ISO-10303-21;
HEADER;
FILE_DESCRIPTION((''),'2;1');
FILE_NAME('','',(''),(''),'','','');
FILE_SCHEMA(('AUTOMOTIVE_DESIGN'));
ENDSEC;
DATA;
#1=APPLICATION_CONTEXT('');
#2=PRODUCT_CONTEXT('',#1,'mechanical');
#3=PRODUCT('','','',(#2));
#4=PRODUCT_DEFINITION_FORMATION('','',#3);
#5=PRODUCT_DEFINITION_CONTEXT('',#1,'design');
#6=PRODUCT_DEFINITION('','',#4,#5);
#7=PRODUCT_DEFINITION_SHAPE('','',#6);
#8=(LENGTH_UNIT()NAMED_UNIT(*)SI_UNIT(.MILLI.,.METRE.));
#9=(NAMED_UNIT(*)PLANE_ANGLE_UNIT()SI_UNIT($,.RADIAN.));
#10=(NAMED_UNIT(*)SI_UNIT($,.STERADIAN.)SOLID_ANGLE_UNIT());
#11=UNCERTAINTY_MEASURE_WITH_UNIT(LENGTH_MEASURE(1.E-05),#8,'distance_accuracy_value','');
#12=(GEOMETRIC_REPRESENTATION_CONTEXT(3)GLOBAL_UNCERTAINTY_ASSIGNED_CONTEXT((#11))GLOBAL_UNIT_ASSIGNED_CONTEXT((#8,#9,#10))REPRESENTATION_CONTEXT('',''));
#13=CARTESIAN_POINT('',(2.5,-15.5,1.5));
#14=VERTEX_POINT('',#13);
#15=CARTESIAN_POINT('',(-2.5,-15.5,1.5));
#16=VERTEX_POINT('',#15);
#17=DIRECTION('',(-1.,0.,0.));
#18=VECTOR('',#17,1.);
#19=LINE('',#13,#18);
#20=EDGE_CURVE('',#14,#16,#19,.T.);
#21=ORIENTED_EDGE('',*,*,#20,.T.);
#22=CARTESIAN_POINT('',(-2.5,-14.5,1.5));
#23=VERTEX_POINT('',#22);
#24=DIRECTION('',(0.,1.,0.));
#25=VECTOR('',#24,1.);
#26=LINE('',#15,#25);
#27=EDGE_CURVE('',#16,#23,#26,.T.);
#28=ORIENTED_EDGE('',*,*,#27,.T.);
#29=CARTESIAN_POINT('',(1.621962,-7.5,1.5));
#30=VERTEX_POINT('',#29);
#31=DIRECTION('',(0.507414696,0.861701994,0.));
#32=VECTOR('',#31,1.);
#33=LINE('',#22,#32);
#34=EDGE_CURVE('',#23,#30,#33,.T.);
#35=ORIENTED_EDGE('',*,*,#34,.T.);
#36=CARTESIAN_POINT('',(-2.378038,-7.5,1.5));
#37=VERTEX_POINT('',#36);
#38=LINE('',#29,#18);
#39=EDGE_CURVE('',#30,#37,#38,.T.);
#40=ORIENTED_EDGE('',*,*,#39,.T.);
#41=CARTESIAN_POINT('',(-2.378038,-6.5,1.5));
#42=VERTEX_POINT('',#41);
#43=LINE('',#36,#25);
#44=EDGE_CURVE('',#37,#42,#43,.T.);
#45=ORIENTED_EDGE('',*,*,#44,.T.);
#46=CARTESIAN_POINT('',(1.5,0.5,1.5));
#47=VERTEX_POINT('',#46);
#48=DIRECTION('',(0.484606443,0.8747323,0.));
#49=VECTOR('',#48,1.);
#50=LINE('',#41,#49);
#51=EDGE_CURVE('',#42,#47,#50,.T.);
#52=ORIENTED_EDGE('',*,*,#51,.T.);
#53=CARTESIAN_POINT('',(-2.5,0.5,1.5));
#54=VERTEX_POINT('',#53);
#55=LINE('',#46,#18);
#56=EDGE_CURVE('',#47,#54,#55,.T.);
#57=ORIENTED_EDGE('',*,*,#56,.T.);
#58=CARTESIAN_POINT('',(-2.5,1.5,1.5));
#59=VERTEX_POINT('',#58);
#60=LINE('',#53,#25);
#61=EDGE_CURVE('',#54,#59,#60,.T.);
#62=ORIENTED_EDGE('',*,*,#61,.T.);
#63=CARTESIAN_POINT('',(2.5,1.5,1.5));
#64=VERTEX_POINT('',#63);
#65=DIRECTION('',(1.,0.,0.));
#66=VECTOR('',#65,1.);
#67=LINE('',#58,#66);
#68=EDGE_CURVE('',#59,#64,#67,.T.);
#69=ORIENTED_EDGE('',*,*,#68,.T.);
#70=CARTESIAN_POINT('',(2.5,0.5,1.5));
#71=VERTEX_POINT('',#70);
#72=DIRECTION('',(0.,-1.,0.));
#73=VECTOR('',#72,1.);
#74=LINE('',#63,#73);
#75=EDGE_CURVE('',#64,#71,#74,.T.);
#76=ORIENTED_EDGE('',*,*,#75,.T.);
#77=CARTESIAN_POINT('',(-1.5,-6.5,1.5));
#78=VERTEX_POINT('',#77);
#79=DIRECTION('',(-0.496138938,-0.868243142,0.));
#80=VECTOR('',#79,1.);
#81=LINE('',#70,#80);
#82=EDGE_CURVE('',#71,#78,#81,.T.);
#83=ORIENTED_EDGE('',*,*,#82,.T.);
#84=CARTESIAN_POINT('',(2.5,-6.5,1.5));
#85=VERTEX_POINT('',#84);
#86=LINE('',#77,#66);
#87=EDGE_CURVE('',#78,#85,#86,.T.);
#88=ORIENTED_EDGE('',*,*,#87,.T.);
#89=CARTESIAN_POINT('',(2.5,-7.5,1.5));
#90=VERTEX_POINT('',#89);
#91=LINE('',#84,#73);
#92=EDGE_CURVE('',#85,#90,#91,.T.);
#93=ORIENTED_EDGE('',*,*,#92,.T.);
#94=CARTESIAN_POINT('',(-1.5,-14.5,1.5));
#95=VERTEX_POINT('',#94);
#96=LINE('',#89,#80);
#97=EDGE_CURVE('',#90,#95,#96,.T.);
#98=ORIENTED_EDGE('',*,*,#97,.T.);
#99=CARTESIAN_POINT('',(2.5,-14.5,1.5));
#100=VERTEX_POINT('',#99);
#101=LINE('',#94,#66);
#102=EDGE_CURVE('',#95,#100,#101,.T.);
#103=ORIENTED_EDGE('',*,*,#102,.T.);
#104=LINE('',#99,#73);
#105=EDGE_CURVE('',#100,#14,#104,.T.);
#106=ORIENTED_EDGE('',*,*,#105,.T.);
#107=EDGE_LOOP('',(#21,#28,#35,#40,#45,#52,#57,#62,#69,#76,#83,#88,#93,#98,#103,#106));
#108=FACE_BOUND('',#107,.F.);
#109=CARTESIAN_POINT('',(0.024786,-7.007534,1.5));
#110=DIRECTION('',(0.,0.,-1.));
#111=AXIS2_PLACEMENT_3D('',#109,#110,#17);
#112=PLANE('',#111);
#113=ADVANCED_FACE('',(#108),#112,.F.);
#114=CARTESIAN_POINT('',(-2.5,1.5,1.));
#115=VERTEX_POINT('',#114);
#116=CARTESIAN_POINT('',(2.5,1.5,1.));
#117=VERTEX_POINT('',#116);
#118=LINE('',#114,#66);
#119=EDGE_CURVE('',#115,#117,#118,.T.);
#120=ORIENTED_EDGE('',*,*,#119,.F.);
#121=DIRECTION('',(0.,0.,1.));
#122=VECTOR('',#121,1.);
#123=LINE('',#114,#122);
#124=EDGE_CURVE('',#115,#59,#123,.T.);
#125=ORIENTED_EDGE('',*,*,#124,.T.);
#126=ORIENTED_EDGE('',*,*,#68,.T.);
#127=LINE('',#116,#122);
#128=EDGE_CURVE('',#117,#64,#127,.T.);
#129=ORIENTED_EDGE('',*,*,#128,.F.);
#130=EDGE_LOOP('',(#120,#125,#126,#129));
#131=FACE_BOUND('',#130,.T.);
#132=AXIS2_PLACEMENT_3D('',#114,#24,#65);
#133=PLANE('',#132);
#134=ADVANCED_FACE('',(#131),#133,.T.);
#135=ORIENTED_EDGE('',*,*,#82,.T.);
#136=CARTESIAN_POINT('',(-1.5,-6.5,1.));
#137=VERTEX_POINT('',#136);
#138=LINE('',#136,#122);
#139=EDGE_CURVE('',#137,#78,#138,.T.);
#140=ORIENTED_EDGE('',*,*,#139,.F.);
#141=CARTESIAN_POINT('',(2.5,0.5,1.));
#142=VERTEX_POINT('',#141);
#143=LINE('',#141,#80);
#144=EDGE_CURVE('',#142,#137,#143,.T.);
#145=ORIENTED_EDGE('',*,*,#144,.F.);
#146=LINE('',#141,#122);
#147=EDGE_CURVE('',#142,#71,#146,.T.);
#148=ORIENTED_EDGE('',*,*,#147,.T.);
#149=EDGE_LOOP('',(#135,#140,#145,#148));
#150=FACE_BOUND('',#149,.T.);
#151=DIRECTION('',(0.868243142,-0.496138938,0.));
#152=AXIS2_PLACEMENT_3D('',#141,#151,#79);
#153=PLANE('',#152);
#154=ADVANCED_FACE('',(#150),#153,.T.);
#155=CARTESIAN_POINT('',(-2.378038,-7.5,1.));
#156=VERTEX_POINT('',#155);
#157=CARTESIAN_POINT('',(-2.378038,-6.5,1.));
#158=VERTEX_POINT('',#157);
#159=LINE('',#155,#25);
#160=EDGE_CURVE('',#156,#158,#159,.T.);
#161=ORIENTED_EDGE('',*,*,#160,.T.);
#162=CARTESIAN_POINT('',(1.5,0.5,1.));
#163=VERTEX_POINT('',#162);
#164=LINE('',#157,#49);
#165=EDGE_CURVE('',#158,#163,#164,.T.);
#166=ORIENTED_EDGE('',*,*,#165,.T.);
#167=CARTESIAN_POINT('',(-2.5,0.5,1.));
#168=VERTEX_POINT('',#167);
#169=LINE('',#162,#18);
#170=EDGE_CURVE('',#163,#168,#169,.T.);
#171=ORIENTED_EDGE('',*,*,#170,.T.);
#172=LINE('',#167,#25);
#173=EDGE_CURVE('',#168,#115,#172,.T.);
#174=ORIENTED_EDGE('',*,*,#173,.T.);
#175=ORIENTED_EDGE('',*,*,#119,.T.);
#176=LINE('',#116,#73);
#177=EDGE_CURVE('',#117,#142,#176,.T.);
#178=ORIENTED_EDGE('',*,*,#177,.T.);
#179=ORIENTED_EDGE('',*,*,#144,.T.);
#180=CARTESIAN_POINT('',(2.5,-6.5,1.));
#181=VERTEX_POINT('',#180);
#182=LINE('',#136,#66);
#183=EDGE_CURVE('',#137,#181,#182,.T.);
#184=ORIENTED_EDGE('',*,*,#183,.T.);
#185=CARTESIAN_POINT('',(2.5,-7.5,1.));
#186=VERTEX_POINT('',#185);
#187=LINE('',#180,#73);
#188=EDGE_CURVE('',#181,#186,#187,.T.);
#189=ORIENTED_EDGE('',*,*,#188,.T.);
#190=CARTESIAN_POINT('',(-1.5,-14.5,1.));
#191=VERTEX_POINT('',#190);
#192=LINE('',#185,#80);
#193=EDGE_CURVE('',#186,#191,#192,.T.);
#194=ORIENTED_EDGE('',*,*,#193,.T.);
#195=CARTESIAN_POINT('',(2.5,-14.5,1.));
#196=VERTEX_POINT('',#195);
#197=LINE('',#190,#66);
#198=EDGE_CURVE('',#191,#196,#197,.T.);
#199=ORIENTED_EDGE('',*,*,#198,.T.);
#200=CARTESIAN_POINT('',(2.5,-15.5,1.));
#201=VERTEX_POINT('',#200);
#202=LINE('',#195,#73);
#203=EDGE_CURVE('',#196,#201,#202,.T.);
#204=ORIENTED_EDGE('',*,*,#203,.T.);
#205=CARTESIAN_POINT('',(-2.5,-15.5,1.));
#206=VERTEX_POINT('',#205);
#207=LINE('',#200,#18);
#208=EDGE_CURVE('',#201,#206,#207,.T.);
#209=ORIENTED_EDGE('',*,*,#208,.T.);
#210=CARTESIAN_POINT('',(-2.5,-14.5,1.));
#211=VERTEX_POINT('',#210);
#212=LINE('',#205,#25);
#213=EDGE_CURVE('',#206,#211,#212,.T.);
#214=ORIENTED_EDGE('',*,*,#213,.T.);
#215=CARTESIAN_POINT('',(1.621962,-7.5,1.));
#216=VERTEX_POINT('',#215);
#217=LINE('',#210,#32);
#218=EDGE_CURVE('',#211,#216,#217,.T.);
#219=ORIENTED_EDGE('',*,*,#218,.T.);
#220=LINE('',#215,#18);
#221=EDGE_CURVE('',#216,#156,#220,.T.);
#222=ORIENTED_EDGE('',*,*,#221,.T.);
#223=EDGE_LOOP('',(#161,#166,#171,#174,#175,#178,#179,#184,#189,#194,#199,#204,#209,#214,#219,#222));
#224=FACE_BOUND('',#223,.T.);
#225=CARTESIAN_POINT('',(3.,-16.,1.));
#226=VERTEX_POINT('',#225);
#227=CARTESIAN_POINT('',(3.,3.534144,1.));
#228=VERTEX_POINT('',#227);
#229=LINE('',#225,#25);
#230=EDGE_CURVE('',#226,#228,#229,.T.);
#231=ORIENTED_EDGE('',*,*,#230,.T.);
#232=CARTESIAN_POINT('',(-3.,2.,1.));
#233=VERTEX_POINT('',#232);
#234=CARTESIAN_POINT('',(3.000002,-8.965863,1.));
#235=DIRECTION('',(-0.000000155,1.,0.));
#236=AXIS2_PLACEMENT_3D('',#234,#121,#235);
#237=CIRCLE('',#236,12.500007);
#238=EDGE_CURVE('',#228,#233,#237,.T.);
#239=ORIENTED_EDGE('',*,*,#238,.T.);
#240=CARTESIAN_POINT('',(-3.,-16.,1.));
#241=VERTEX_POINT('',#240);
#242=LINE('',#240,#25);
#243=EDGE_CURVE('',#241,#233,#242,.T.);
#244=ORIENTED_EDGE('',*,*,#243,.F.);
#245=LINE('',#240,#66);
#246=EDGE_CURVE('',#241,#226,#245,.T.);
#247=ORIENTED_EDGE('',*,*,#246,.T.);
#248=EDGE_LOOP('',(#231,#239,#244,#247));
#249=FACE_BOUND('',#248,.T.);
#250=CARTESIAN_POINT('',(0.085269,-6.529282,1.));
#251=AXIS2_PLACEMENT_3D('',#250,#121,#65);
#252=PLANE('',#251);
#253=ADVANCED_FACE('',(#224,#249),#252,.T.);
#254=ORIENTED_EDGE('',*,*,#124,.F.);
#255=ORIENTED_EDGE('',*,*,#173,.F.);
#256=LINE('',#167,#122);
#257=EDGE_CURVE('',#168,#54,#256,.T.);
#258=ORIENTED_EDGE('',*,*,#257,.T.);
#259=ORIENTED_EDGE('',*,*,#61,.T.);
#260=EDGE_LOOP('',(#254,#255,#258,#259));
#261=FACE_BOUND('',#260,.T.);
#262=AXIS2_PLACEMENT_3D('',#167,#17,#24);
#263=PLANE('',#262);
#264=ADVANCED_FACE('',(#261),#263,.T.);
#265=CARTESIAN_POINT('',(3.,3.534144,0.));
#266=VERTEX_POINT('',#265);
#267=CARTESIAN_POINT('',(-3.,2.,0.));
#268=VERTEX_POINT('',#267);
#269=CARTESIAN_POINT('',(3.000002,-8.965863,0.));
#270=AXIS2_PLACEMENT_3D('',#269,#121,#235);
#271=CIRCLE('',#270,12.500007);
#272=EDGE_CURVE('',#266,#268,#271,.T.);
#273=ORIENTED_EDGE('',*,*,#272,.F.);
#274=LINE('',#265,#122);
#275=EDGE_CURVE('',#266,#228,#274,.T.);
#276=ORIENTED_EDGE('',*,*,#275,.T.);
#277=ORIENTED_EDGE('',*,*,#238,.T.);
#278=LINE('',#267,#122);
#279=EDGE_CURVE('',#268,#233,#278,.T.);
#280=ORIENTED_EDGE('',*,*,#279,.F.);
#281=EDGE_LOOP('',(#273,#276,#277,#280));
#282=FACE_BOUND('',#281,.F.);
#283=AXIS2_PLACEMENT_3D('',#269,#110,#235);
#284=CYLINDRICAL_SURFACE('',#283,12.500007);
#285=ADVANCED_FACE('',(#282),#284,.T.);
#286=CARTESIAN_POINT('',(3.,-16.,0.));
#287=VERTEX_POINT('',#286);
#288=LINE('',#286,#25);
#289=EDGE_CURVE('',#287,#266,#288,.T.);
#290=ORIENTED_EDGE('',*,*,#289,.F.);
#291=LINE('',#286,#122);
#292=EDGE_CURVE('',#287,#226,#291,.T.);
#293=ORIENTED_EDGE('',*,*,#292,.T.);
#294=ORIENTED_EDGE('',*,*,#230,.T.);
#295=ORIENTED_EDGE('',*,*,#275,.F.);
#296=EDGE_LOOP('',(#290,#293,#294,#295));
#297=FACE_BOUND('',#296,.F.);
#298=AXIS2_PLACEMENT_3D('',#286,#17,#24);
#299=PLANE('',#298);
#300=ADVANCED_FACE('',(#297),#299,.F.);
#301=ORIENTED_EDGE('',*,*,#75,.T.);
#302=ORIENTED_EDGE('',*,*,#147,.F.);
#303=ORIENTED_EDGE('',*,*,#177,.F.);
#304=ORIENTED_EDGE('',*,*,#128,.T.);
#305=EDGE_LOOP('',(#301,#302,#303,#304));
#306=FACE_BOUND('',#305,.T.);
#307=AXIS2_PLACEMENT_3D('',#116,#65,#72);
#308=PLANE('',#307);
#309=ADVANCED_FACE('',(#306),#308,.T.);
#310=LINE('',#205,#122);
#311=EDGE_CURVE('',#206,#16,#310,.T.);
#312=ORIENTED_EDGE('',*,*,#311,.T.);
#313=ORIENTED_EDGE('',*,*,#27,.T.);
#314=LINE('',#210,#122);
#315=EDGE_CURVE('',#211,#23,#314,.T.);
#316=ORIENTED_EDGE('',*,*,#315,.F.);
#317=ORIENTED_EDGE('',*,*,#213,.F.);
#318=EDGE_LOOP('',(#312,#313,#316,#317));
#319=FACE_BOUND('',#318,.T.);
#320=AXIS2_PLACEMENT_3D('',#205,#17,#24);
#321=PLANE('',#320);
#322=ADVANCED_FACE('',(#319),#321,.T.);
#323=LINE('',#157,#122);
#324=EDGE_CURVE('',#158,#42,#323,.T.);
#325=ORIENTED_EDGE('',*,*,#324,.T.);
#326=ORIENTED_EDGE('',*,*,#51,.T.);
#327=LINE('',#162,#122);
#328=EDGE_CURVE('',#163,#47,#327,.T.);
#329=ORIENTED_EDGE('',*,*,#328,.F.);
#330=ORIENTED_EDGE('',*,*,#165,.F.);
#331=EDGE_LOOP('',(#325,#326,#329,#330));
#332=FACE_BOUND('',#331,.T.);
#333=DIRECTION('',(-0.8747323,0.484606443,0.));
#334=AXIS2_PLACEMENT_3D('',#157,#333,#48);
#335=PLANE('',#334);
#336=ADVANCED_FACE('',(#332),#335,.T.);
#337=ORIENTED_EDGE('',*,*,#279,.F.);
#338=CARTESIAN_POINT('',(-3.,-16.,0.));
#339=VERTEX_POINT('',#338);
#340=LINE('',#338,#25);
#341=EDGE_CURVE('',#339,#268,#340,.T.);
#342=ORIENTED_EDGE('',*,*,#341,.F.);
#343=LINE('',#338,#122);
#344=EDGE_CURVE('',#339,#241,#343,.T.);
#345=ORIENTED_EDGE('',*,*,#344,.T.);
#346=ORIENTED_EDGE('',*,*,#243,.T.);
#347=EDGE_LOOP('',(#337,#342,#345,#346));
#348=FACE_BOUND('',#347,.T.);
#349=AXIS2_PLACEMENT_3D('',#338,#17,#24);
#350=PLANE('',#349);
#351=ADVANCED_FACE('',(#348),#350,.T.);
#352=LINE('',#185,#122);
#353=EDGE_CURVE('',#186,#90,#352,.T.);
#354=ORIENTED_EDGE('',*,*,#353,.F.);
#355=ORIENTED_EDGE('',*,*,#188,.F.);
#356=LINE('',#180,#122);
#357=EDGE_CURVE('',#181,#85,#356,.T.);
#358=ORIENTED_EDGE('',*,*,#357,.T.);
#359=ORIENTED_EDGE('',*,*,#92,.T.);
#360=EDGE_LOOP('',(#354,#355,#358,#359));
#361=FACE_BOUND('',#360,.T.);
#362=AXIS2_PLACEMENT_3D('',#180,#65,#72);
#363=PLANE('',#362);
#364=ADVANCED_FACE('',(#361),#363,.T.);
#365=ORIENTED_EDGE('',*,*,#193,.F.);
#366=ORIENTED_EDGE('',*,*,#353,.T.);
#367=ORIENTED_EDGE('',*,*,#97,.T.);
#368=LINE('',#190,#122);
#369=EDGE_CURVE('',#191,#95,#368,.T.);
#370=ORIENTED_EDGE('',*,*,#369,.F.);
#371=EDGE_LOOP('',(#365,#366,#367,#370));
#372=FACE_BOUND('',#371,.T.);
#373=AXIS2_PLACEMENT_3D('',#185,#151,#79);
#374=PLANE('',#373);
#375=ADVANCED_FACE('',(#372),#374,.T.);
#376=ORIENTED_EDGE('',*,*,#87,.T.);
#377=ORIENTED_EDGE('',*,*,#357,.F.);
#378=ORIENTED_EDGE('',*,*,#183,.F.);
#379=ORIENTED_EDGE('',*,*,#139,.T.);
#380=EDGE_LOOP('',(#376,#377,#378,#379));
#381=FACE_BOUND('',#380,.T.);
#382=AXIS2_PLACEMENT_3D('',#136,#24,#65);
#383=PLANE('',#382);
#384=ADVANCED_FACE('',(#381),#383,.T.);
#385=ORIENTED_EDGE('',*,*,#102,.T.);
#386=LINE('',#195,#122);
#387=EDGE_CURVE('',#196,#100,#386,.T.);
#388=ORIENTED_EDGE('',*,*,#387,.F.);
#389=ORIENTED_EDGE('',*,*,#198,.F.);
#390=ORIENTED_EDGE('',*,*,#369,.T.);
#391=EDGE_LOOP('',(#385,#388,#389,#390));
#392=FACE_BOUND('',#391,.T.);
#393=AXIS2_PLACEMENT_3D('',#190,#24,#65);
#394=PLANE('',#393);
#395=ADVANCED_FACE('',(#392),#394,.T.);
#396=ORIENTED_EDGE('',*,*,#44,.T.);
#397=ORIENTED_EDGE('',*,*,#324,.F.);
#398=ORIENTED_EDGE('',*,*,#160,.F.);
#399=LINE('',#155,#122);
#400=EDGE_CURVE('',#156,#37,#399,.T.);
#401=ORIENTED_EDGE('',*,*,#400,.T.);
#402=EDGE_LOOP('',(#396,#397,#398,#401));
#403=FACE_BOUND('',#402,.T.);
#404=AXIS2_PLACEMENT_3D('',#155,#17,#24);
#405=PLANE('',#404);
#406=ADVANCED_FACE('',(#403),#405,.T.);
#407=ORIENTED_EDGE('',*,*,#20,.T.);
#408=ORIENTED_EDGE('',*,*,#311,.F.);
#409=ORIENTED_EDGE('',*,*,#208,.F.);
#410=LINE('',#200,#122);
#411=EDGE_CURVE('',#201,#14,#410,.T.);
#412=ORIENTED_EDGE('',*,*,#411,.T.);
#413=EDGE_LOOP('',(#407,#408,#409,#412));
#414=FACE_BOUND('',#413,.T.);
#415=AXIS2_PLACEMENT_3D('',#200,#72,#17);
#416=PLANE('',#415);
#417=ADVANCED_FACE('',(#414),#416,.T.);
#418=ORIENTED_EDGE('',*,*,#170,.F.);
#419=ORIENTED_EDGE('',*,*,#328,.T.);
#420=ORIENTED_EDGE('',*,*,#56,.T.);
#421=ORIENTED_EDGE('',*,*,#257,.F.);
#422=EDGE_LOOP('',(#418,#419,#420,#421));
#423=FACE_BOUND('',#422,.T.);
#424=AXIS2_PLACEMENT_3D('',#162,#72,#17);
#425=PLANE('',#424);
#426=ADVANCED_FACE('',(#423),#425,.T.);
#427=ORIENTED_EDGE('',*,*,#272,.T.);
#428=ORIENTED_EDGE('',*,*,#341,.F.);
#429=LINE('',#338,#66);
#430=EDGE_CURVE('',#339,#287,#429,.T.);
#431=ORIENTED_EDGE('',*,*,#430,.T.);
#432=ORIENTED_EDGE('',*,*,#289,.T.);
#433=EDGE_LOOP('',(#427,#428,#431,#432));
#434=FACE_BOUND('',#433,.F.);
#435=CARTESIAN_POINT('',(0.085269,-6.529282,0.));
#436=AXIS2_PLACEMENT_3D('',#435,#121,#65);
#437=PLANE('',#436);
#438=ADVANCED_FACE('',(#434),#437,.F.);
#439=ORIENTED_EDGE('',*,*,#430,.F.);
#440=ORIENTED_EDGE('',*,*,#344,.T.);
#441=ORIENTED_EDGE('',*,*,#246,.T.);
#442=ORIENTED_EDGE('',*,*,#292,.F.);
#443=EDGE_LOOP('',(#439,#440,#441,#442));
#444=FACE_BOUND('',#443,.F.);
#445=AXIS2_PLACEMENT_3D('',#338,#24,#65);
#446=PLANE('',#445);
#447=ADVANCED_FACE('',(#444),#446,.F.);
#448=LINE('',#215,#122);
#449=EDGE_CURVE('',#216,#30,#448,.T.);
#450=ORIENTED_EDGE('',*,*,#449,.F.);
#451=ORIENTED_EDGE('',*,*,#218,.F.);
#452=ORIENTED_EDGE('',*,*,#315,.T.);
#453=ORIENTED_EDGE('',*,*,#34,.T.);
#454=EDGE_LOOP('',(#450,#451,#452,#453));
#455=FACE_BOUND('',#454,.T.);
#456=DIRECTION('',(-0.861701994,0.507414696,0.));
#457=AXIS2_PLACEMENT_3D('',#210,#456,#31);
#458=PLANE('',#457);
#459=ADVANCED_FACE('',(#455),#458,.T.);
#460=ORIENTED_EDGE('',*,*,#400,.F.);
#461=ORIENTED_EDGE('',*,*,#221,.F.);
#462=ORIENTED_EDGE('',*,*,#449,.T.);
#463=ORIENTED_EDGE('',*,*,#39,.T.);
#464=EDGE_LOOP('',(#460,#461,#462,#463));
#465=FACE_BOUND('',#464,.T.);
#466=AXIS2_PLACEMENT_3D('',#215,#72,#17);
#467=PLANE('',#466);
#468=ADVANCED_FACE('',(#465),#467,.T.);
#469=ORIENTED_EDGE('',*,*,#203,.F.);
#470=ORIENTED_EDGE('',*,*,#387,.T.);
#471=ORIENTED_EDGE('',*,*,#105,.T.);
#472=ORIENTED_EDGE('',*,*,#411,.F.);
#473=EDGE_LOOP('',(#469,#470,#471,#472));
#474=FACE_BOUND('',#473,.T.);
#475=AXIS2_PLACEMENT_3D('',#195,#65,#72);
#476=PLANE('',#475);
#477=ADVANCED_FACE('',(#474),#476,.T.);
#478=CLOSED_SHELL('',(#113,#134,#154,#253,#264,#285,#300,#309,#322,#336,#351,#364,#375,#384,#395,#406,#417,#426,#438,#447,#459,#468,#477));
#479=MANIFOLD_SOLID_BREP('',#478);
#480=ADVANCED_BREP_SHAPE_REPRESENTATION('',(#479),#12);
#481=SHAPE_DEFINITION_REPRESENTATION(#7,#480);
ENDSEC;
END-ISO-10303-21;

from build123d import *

# Parameters (mm, degrees)
PAD_DEPTH    = 1
PAD001_DEPTH = 0.5


with BuildPart() as part:
    # Sketch → Pad (new body)
    with BuildSketch(Plane.XY):
        with BuildLine():
            Line((-3, -16), (3, -16))
            Line((3, -16), (3, 3.534144))
            ThreePointArc((3, 3.534144), (-0.096514, 3.144536), (-3, 2))
            Line((-3, -16), (-3, 2))
        make_face()
    extrude(amount=PAD_DEPTH)

    # Sketch001 → Pad001 (new body)
    with BuildSketch(Plane.XY.offset(1)):
        Polygon((-2.5, 1.5), (2.5, 1.5), (2.5, 0.5), (-1.5, -6.5), (2.5, -6.5), (2.5, -7.5), (-1.5, -14.5), (2.5, -14.5), (2.5, -15.5), (-2.5, -15.5), (-2.5, -14.5), (1.621962, -7.5), (-2.378038, -7.5), (-2.378038, -6.5), (1.5, 0.5), (-2.5, 0.5), align=None)
    extrude(amount=PAD001_DEPTH)


solid = part.part
